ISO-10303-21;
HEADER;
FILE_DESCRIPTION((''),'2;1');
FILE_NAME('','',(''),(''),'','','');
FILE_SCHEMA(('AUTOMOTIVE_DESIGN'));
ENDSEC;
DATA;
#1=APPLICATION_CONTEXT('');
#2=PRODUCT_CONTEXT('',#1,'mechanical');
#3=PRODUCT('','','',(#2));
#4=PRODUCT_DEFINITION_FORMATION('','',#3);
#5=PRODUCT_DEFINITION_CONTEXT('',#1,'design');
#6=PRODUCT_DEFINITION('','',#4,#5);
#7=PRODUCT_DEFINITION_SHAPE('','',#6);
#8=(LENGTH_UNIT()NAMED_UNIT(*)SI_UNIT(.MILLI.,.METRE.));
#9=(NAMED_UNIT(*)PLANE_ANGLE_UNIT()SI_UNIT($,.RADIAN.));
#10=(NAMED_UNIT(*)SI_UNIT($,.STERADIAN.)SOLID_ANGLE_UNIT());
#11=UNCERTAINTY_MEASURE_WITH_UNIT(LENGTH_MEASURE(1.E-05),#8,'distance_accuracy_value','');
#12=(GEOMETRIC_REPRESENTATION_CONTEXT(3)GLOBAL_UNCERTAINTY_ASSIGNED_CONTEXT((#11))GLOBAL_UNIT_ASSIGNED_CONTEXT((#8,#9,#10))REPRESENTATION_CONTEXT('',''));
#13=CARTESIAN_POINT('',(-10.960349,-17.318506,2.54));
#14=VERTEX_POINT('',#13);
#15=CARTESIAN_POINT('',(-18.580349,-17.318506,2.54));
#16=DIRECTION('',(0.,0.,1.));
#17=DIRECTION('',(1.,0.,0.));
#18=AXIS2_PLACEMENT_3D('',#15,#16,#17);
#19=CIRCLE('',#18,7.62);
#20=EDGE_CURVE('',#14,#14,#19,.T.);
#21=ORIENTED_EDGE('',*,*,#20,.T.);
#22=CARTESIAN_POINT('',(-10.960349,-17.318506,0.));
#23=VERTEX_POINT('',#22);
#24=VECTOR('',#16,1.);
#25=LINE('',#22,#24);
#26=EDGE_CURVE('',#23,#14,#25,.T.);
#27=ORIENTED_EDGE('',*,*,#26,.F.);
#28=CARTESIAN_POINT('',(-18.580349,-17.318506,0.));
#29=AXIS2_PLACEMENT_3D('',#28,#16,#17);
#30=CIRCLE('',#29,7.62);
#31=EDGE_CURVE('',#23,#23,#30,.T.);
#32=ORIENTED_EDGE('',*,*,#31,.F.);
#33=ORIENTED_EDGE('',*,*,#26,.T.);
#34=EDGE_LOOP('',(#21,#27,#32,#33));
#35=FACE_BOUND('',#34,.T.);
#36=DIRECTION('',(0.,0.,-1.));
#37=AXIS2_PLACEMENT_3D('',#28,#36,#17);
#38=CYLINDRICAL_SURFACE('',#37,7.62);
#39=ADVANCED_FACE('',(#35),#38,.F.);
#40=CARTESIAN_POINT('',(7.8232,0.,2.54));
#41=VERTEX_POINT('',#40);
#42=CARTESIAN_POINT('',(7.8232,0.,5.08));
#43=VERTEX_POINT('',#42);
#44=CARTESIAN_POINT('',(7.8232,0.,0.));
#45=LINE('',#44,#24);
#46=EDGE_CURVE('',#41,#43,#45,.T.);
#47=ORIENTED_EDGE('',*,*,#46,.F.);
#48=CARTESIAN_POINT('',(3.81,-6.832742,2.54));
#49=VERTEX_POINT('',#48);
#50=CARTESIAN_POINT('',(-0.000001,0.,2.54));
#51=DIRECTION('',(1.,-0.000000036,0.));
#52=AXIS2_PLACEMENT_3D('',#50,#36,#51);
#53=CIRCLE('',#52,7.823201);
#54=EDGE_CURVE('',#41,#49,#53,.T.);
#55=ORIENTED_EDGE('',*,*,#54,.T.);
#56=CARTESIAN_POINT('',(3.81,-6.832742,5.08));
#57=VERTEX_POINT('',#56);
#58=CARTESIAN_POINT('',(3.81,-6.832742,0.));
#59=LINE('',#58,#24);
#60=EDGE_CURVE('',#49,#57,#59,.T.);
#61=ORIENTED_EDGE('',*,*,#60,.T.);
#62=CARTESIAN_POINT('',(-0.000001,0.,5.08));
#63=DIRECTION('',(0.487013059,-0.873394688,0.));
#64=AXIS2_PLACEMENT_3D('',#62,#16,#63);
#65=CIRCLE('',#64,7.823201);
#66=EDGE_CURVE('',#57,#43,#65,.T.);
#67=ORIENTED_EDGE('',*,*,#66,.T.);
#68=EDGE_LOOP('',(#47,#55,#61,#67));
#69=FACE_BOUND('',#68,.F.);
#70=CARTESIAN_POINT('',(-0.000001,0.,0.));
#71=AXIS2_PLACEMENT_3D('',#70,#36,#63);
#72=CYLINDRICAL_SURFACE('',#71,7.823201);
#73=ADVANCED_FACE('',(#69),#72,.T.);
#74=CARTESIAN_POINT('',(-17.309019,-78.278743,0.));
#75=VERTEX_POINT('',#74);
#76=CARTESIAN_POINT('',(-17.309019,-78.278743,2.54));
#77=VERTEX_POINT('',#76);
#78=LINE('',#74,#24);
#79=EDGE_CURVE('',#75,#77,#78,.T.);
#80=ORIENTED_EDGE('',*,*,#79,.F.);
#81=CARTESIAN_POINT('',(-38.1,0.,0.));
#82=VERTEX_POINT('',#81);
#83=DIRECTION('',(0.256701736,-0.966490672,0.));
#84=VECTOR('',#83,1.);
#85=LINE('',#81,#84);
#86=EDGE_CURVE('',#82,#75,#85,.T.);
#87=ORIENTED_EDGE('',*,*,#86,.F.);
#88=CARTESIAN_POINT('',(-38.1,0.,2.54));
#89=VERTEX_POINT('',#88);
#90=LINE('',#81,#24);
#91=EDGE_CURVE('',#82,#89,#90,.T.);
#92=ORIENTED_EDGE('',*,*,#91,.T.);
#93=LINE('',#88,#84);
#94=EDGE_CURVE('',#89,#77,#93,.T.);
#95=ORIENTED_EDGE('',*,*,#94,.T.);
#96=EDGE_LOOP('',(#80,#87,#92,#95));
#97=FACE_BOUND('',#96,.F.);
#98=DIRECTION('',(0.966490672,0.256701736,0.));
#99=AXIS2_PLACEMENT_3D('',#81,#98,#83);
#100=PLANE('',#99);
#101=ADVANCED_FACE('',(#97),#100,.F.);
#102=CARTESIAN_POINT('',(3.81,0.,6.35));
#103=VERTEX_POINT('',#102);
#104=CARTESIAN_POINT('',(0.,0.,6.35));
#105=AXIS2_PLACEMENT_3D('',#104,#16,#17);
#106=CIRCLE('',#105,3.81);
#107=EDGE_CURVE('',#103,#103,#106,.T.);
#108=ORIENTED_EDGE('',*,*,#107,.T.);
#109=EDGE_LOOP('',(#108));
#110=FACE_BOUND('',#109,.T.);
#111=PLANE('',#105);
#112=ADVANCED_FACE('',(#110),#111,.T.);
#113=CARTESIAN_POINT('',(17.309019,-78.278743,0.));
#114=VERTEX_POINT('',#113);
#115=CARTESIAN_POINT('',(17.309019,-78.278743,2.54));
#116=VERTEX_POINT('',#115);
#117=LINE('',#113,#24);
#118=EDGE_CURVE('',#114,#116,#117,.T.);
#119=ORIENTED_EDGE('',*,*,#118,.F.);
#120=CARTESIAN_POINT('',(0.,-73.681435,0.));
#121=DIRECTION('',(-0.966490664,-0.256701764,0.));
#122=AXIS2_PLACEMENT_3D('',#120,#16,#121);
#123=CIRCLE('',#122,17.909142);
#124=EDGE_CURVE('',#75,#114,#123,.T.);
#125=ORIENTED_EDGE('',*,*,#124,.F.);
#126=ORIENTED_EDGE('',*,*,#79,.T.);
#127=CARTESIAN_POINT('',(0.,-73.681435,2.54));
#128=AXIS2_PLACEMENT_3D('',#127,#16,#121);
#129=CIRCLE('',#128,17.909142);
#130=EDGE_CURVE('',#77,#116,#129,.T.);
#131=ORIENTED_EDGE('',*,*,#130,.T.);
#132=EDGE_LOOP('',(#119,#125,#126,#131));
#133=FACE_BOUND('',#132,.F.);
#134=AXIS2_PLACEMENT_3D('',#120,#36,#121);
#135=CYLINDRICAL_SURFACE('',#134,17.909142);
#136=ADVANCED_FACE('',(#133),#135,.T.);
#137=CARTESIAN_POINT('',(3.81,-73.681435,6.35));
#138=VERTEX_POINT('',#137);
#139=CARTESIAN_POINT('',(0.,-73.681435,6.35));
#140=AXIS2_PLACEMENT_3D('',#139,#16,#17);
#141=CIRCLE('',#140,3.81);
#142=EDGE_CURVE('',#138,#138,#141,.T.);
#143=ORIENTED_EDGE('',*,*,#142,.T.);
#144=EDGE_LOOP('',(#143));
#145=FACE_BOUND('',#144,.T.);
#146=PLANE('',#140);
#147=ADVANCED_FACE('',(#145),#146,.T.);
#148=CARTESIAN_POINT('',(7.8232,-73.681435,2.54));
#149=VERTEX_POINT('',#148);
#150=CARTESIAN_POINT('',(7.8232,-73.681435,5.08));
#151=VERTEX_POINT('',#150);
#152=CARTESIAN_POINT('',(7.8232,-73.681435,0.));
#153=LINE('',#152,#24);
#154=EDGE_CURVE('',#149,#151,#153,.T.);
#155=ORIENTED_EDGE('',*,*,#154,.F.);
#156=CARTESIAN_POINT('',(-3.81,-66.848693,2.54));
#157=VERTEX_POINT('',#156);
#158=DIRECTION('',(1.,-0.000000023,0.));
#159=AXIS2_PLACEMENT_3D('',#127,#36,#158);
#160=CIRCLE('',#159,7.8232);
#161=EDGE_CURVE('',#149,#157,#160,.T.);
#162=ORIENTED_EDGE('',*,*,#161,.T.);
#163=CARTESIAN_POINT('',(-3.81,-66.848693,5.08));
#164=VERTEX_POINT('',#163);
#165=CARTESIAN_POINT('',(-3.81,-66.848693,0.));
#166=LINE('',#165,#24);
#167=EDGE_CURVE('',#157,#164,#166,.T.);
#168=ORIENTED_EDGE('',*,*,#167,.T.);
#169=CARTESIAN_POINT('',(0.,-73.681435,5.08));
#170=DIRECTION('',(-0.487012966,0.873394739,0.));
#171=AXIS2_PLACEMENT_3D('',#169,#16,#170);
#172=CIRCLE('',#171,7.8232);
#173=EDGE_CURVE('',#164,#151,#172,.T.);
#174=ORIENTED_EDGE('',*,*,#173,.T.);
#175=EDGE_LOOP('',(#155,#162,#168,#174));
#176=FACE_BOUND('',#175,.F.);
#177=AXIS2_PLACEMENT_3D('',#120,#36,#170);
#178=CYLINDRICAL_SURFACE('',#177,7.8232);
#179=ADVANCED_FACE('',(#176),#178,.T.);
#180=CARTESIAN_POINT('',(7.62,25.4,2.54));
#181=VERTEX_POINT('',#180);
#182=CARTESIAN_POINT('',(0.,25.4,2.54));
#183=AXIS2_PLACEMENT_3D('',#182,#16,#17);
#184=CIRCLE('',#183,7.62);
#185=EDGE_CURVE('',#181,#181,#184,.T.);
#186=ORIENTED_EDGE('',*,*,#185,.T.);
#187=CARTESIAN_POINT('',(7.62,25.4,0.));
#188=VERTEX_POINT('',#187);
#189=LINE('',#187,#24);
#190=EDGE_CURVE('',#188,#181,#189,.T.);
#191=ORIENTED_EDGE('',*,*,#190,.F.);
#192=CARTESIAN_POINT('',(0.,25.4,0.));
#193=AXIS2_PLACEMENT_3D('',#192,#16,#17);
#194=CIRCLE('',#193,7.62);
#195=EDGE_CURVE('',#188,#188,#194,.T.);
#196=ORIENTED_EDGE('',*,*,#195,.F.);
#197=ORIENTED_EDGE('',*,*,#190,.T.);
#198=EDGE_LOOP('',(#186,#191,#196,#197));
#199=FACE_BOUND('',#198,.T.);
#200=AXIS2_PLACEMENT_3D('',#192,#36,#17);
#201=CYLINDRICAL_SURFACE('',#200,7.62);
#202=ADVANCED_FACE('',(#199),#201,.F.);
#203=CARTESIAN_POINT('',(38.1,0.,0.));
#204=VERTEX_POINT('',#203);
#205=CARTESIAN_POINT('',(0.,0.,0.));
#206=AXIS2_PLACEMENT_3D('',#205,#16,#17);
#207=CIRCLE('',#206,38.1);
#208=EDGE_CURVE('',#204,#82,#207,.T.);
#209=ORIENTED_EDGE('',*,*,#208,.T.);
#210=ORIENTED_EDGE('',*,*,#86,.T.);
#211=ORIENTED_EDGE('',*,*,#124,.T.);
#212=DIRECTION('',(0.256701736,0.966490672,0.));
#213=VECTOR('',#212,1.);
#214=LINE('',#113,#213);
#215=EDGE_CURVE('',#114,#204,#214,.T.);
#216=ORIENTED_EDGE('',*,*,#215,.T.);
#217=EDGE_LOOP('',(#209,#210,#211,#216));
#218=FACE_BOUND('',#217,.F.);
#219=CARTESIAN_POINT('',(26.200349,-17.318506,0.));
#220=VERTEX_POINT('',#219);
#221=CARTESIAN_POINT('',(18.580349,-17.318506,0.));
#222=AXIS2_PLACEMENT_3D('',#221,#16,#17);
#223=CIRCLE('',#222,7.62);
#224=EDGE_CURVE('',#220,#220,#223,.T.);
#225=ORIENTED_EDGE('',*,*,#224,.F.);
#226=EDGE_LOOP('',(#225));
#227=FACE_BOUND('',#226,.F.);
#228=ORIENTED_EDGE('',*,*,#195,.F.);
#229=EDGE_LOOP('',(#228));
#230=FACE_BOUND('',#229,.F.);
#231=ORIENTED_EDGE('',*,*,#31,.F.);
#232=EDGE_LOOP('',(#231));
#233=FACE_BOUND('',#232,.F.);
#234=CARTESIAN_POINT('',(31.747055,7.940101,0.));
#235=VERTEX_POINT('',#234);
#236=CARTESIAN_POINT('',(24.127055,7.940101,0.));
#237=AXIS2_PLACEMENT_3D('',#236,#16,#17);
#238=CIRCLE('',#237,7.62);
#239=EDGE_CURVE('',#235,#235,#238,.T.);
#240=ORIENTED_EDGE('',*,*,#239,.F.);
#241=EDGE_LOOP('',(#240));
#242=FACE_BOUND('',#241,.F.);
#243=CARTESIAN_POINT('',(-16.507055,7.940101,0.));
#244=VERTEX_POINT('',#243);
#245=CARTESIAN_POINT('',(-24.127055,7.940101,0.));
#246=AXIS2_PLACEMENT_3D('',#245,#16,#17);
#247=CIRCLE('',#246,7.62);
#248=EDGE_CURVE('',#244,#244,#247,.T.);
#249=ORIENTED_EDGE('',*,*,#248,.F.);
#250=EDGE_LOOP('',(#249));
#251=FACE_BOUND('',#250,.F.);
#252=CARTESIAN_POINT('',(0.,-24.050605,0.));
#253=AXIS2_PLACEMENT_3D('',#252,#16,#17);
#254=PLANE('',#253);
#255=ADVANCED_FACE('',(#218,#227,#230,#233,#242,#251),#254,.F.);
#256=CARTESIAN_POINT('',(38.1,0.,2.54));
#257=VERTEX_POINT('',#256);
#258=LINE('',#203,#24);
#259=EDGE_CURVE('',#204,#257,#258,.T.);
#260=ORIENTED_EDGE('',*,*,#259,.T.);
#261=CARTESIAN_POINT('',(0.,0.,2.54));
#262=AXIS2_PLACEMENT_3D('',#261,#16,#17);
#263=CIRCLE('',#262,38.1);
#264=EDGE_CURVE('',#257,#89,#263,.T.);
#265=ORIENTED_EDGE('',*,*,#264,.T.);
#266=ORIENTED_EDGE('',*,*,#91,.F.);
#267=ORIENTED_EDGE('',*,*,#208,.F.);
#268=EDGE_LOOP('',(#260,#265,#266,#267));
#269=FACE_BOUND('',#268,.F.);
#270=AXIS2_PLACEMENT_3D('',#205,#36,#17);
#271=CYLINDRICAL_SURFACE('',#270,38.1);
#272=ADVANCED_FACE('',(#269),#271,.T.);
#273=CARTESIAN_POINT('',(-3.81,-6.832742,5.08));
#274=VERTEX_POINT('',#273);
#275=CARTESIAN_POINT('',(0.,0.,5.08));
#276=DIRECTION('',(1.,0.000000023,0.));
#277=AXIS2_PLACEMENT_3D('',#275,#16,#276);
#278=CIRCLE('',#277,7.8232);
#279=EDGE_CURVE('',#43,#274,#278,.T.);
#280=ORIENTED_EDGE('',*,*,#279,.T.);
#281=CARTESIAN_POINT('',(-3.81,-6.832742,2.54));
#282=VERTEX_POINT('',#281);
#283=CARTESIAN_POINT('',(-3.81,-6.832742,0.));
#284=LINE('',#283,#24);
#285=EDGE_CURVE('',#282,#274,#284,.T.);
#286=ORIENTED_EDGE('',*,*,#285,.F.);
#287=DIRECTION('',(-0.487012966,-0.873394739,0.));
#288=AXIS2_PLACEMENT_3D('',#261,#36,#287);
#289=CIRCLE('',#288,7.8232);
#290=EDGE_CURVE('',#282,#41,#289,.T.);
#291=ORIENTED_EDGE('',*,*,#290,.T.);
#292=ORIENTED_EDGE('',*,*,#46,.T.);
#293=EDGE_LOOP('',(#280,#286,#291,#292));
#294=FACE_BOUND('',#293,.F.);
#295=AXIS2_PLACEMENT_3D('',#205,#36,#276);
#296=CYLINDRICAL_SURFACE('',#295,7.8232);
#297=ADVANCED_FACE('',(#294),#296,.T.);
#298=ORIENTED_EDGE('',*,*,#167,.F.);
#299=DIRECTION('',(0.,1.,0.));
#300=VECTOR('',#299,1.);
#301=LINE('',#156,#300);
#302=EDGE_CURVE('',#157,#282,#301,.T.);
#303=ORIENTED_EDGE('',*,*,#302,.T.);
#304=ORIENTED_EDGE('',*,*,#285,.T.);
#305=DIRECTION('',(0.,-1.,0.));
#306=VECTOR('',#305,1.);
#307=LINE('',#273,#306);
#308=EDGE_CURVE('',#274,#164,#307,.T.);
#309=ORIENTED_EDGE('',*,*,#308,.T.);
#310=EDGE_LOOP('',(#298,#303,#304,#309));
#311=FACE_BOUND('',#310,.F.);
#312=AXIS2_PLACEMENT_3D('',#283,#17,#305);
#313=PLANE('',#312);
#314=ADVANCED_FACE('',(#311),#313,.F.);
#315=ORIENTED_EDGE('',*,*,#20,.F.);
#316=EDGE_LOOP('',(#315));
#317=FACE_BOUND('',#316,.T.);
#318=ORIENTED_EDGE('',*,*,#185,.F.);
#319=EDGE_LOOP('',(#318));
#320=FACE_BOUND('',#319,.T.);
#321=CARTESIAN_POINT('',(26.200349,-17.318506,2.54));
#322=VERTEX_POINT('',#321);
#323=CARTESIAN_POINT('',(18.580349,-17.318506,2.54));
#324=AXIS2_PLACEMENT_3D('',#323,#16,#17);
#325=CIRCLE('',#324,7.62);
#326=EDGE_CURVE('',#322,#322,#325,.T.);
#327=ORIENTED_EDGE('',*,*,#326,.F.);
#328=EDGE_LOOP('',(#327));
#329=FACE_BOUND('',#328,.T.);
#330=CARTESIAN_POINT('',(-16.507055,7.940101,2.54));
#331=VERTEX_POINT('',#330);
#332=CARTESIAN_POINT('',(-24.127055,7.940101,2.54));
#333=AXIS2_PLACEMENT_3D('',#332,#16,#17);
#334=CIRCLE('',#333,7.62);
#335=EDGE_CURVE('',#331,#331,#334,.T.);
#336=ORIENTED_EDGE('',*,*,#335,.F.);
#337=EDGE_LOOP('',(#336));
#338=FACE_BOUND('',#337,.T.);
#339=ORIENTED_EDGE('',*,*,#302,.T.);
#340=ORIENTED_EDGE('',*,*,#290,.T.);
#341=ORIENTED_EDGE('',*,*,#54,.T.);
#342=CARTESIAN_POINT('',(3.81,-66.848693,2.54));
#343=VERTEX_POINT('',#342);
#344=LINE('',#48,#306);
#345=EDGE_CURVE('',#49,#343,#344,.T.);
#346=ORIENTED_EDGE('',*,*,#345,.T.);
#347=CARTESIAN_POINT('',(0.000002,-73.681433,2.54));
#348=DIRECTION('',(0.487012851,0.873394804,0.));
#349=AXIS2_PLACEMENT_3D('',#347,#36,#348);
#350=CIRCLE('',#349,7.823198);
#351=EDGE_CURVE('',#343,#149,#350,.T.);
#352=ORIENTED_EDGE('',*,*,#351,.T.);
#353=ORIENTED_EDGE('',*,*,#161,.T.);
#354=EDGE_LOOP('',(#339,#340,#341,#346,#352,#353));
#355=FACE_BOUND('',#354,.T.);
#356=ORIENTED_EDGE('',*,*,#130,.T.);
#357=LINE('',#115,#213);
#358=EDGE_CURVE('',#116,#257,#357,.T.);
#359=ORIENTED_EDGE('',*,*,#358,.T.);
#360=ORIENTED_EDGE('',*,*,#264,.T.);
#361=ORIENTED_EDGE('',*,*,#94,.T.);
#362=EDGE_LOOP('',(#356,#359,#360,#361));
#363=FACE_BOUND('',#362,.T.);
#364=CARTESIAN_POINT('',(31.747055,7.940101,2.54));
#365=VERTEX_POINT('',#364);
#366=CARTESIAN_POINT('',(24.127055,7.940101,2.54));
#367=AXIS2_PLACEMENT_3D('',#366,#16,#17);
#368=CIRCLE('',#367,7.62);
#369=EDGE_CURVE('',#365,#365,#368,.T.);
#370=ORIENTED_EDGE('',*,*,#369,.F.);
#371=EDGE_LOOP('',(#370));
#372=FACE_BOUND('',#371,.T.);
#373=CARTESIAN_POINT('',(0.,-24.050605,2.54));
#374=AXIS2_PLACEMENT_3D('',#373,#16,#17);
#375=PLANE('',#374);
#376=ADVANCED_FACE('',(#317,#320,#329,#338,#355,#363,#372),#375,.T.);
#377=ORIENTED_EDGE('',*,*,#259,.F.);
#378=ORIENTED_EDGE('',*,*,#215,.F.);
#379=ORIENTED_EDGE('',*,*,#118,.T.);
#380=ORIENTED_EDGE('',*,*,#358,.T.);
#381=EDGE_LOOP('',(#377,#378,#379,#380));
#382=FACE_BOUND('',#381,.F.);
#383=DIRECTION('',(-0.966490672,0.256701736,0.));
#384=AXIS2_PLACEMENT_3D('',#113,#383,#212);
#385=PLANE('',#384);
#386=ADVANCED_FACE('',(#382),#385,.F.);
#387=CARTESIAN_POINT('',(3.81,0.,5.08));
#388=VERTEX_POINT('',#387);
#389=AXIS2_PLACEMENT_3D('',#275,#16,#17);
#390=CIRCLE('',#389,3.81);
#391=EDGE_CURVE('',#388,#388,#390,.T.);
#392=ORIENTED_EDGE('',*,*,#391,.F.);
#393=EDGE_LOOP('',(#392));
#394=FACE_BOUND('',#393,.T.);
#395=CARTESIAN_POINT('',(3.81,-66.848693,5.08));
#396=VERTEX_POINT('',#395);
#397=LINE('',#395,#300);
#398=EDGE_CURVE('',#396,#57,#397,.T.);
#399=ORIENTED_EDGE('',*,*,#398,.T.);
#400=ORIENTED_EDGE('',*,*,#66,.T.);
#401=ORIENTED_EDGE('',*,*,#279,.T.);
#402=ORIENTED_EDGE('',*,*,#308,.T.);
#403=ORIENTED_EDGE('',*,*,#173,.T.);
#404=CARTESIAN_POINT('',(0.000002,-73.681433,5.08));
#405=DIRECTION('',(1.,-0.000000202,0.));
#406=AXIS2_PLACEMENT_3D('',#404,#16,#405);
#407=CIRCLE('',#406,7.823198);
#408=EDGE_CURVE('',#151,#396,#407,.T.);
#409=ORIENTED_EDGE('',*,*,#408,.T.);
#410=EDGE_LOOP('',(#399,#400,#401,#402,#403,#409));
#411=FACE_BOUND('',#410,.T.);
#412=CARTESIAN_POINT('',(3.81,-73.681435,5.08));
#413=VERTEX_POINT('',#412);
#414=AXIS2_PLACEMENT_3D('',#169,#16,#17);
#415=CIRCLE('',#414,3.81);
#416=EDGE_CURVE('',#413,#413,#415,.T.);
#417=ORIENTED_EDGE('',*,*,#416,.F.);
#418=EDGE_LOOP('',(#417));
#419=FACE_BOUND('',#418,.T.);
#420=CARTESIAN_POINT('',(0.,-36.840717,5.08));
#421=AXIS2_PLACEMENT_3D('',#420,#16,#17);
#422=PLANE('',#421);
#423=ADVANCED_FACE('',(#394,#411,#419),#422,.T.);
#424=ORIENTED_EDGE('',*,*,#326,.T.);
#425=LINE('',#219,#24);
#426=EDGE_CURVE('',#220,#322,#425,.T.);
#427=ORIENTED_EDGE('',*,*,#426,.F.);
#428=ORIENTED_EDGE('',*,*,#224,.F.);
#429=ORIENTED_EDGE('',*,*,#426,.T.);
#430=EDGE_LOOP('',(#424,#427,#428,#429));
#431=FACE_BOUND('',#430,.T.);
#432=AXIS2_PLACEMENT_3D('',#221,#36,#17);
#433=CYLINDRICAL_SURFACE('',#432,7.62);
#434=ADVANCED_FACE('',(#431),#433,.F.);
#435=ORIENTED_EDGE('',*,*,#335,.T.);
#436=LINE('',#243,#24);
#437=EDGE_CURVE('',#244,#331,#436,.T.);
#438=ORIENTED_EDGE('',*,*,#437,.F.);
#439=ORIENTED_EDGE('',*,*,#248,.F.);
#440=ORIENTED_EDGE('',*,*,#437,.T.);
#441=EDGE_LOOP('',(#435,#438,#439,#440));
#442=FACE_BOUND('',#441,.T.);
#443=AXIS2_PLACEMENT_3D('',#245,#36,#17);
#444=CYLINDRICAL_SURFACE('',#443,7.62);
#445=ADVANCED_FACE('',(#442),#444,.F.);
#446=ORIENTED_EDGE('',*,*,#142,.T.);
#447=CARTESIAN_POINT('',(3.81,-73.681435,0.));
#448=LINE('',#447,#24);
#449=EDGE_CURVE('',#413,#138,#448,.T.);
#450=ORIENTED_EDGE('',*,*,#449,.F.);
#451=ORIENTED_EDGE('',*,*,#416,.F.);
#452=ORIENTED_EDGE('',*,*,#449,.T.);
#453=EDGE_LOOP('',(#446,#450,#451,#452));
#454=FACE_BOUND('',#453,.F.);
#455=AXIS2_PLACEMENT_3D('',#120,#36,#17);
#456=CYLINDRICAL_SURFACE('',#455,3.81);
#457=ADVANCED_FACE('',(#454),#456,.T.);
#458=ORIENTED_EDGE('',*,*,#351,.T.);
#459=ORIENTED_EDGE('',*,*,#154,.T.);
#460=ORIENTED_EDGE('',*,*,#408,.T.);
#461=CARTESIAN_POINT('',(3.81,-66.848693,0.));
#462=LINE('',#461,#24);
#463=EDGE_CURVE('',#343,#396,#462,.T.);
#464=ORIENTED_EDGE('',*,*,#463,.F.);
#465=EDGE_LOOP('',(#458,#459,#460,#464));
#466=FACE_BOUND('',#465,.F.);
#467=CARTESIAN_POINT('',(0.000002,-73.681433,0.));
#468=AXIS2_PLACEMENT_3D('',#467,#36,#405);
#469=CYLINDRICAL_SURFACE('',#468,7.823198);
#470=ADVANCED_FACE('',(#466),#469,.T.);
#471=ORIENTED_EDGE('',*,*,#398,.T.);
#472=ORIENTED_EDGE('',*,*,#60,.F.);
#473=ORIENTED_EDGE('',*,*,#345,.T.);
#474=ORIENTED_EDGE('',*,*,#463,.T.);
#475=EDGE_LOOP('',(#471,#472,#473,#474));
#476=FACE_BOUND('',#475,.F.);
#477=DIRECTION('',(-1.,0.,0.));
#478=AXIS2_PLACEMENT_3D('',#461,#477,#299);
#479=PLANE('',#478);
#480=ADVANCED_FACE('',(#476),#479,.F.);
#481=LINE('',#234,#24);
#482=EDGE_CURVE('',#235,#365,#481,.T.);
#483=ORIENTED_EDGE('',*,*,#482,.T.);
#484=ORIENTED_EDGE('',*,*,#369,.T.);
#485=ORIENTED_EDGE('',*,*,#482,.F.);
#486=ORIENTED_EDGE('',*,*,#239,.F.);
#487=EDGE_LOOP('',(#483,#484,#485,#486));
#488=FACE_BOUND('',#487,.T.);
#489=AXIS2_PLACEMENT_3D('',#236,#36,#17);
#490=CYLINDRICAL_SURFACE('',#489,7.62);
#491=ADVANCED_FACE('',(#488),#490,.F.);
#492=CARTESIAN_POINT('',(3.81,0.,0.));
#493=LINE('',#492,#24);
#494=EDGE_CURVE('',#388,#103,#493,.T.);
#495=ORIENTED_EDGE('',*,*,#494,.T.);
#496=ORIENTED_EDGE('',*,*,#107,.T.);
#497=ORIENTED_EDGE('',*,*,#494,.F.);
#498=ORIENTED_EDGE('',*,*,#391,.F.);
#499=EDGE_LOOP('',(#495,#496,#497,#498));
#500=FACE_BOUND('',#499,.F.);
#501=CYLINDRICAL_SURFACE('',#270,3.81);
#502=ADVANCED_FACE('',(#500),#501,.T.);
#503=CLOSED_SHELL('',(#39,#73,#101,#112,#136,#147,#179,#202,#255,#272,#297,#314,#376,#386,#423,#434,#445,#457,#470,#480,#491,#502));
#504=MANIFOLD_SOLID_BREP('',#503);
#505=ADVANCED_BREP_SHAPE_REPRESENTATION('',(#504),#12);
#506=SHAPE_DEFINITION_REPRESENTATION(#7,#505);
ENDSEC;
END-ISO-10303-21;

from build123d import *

# Parameters (mm, degrees)
F0_R     = 7.62
F1_DEPTH = 2.54
F0_R_2   = 3.81
F2_DEPTH = 5.08
F3_DEPTH = 6.35


with BuildPart() as f1:
    # F0 (on Top) → F1 (new body)
    with BuildSketch(Plane.XY):
        with BuildLine():
            ThreePointArc((38.1, 0), (0, 38.1), (-38.1, 0))
            Line((-38.1, 0), (-17.309019, -78.278743))
            ThreePointArc((-17.309019, -78.278743), (0, -91.590577), (17.309019, -78.278743))
            Line((17.309019, -78.278743), (38.1, 0))
        make_face()
        with BuildLine():
            ThreePointArc((-3.81, -6.832742), (-3.962074, 6.745697), (7.8232, 0))
            ThreePointArc((7.8232, 0), (6.745697, -3.962074), (3.81, -6.832742))
            Line((3.81, -6.832742), (3.81, -66.848693))
            ThreePointArc((3.81, -66.848693), (6.745697, -69.71936), (7.8232, -73.681435))
            ThreePointArc((7.8232, -73.681435), (-3.962074, -80.427132), (-3.81, -66.848693))
            Line((-3.81, -66.848693), (-3.81, -6.832742))
        make_face(mode=Mode.SUBTRACT)
        with Locations((-18.580349, -17.318506)):
            Circle(F0_R, mode=Mode.SUBTRACT)
        with Locations((-24.127055, 7.940101)):
            Circle(F0_R, mode=Mode.SUBTRACT)
        with Locations((18.580349, -17.318506)):
            Circle(F0_R, mode=Mode.SUBTRACT)
        with Locations((0, 25.4)):
            Circle(F0_R, mode=Mode.SUBTRACT)
        with Locations((24.127055, 7.940101)):
            Circle(F0_R, mode=Mode.SUBTRACT)
    extrude(amount=F1_DEPTH)

    # F0 (on Top) → F2 (join)
    with BuildSketch(Plane.XY):
        with BuildLine():
            ThreePointArc((3.81, -6.832742), (0, -7.8232), (-3.81, -6.832742))
            Line((-3.81, -6.832742), (-3.81, -66.848693))
            ThreePointArc((-3.81, -66.848693), (0, -65.858235), (3.81, -66.848693))
            Line((3.81, -66.848693), (3.81, -6.832742))
        make_face()
        with BuildLine():
            ThreePointArc((3.81, -66.848693), (0, -65.858235), (-3.81, -66.848693))
            ThreePointArc((-3.81, -66.848693), (-3.962074, -80.427132), (7.8232, -73.681435))
            ThreePointArc((7.8232, -73.681435), (6.745697, -69.71936), (3.81, -66.848693))
        make_face()
        with Locations((0, -73.681435)):
            Circle(F0_R_2, mode=Mode.SUBTRACT)
        with BuildLine():
            ThreePointArc((3.81, -6.832742), (6.745697, -3.962074), (7.8232, 0))
            ThreePointArc((7.8232, 0), (-3.962074, 6.745697), (-3.81, -6.832742))
            ThreePointArc((-3.81, -6.832742), (0, -7.8232), (3.81, -6.832742))
        make_face()
        Circle(F0_R_2, mode=Mode.SUBTRACT)
    extrude(amount=F2_DEPTH)

    # F0 (on Top) → F3 (join)
    with BuildSketch(Plane.XY):
        with Locations((0, -73.681435)):
            Circle(F0_R_2)
        Circle(F0_R_2)
    extrude(amount=F3_DEPTH)


solid = f1.part
